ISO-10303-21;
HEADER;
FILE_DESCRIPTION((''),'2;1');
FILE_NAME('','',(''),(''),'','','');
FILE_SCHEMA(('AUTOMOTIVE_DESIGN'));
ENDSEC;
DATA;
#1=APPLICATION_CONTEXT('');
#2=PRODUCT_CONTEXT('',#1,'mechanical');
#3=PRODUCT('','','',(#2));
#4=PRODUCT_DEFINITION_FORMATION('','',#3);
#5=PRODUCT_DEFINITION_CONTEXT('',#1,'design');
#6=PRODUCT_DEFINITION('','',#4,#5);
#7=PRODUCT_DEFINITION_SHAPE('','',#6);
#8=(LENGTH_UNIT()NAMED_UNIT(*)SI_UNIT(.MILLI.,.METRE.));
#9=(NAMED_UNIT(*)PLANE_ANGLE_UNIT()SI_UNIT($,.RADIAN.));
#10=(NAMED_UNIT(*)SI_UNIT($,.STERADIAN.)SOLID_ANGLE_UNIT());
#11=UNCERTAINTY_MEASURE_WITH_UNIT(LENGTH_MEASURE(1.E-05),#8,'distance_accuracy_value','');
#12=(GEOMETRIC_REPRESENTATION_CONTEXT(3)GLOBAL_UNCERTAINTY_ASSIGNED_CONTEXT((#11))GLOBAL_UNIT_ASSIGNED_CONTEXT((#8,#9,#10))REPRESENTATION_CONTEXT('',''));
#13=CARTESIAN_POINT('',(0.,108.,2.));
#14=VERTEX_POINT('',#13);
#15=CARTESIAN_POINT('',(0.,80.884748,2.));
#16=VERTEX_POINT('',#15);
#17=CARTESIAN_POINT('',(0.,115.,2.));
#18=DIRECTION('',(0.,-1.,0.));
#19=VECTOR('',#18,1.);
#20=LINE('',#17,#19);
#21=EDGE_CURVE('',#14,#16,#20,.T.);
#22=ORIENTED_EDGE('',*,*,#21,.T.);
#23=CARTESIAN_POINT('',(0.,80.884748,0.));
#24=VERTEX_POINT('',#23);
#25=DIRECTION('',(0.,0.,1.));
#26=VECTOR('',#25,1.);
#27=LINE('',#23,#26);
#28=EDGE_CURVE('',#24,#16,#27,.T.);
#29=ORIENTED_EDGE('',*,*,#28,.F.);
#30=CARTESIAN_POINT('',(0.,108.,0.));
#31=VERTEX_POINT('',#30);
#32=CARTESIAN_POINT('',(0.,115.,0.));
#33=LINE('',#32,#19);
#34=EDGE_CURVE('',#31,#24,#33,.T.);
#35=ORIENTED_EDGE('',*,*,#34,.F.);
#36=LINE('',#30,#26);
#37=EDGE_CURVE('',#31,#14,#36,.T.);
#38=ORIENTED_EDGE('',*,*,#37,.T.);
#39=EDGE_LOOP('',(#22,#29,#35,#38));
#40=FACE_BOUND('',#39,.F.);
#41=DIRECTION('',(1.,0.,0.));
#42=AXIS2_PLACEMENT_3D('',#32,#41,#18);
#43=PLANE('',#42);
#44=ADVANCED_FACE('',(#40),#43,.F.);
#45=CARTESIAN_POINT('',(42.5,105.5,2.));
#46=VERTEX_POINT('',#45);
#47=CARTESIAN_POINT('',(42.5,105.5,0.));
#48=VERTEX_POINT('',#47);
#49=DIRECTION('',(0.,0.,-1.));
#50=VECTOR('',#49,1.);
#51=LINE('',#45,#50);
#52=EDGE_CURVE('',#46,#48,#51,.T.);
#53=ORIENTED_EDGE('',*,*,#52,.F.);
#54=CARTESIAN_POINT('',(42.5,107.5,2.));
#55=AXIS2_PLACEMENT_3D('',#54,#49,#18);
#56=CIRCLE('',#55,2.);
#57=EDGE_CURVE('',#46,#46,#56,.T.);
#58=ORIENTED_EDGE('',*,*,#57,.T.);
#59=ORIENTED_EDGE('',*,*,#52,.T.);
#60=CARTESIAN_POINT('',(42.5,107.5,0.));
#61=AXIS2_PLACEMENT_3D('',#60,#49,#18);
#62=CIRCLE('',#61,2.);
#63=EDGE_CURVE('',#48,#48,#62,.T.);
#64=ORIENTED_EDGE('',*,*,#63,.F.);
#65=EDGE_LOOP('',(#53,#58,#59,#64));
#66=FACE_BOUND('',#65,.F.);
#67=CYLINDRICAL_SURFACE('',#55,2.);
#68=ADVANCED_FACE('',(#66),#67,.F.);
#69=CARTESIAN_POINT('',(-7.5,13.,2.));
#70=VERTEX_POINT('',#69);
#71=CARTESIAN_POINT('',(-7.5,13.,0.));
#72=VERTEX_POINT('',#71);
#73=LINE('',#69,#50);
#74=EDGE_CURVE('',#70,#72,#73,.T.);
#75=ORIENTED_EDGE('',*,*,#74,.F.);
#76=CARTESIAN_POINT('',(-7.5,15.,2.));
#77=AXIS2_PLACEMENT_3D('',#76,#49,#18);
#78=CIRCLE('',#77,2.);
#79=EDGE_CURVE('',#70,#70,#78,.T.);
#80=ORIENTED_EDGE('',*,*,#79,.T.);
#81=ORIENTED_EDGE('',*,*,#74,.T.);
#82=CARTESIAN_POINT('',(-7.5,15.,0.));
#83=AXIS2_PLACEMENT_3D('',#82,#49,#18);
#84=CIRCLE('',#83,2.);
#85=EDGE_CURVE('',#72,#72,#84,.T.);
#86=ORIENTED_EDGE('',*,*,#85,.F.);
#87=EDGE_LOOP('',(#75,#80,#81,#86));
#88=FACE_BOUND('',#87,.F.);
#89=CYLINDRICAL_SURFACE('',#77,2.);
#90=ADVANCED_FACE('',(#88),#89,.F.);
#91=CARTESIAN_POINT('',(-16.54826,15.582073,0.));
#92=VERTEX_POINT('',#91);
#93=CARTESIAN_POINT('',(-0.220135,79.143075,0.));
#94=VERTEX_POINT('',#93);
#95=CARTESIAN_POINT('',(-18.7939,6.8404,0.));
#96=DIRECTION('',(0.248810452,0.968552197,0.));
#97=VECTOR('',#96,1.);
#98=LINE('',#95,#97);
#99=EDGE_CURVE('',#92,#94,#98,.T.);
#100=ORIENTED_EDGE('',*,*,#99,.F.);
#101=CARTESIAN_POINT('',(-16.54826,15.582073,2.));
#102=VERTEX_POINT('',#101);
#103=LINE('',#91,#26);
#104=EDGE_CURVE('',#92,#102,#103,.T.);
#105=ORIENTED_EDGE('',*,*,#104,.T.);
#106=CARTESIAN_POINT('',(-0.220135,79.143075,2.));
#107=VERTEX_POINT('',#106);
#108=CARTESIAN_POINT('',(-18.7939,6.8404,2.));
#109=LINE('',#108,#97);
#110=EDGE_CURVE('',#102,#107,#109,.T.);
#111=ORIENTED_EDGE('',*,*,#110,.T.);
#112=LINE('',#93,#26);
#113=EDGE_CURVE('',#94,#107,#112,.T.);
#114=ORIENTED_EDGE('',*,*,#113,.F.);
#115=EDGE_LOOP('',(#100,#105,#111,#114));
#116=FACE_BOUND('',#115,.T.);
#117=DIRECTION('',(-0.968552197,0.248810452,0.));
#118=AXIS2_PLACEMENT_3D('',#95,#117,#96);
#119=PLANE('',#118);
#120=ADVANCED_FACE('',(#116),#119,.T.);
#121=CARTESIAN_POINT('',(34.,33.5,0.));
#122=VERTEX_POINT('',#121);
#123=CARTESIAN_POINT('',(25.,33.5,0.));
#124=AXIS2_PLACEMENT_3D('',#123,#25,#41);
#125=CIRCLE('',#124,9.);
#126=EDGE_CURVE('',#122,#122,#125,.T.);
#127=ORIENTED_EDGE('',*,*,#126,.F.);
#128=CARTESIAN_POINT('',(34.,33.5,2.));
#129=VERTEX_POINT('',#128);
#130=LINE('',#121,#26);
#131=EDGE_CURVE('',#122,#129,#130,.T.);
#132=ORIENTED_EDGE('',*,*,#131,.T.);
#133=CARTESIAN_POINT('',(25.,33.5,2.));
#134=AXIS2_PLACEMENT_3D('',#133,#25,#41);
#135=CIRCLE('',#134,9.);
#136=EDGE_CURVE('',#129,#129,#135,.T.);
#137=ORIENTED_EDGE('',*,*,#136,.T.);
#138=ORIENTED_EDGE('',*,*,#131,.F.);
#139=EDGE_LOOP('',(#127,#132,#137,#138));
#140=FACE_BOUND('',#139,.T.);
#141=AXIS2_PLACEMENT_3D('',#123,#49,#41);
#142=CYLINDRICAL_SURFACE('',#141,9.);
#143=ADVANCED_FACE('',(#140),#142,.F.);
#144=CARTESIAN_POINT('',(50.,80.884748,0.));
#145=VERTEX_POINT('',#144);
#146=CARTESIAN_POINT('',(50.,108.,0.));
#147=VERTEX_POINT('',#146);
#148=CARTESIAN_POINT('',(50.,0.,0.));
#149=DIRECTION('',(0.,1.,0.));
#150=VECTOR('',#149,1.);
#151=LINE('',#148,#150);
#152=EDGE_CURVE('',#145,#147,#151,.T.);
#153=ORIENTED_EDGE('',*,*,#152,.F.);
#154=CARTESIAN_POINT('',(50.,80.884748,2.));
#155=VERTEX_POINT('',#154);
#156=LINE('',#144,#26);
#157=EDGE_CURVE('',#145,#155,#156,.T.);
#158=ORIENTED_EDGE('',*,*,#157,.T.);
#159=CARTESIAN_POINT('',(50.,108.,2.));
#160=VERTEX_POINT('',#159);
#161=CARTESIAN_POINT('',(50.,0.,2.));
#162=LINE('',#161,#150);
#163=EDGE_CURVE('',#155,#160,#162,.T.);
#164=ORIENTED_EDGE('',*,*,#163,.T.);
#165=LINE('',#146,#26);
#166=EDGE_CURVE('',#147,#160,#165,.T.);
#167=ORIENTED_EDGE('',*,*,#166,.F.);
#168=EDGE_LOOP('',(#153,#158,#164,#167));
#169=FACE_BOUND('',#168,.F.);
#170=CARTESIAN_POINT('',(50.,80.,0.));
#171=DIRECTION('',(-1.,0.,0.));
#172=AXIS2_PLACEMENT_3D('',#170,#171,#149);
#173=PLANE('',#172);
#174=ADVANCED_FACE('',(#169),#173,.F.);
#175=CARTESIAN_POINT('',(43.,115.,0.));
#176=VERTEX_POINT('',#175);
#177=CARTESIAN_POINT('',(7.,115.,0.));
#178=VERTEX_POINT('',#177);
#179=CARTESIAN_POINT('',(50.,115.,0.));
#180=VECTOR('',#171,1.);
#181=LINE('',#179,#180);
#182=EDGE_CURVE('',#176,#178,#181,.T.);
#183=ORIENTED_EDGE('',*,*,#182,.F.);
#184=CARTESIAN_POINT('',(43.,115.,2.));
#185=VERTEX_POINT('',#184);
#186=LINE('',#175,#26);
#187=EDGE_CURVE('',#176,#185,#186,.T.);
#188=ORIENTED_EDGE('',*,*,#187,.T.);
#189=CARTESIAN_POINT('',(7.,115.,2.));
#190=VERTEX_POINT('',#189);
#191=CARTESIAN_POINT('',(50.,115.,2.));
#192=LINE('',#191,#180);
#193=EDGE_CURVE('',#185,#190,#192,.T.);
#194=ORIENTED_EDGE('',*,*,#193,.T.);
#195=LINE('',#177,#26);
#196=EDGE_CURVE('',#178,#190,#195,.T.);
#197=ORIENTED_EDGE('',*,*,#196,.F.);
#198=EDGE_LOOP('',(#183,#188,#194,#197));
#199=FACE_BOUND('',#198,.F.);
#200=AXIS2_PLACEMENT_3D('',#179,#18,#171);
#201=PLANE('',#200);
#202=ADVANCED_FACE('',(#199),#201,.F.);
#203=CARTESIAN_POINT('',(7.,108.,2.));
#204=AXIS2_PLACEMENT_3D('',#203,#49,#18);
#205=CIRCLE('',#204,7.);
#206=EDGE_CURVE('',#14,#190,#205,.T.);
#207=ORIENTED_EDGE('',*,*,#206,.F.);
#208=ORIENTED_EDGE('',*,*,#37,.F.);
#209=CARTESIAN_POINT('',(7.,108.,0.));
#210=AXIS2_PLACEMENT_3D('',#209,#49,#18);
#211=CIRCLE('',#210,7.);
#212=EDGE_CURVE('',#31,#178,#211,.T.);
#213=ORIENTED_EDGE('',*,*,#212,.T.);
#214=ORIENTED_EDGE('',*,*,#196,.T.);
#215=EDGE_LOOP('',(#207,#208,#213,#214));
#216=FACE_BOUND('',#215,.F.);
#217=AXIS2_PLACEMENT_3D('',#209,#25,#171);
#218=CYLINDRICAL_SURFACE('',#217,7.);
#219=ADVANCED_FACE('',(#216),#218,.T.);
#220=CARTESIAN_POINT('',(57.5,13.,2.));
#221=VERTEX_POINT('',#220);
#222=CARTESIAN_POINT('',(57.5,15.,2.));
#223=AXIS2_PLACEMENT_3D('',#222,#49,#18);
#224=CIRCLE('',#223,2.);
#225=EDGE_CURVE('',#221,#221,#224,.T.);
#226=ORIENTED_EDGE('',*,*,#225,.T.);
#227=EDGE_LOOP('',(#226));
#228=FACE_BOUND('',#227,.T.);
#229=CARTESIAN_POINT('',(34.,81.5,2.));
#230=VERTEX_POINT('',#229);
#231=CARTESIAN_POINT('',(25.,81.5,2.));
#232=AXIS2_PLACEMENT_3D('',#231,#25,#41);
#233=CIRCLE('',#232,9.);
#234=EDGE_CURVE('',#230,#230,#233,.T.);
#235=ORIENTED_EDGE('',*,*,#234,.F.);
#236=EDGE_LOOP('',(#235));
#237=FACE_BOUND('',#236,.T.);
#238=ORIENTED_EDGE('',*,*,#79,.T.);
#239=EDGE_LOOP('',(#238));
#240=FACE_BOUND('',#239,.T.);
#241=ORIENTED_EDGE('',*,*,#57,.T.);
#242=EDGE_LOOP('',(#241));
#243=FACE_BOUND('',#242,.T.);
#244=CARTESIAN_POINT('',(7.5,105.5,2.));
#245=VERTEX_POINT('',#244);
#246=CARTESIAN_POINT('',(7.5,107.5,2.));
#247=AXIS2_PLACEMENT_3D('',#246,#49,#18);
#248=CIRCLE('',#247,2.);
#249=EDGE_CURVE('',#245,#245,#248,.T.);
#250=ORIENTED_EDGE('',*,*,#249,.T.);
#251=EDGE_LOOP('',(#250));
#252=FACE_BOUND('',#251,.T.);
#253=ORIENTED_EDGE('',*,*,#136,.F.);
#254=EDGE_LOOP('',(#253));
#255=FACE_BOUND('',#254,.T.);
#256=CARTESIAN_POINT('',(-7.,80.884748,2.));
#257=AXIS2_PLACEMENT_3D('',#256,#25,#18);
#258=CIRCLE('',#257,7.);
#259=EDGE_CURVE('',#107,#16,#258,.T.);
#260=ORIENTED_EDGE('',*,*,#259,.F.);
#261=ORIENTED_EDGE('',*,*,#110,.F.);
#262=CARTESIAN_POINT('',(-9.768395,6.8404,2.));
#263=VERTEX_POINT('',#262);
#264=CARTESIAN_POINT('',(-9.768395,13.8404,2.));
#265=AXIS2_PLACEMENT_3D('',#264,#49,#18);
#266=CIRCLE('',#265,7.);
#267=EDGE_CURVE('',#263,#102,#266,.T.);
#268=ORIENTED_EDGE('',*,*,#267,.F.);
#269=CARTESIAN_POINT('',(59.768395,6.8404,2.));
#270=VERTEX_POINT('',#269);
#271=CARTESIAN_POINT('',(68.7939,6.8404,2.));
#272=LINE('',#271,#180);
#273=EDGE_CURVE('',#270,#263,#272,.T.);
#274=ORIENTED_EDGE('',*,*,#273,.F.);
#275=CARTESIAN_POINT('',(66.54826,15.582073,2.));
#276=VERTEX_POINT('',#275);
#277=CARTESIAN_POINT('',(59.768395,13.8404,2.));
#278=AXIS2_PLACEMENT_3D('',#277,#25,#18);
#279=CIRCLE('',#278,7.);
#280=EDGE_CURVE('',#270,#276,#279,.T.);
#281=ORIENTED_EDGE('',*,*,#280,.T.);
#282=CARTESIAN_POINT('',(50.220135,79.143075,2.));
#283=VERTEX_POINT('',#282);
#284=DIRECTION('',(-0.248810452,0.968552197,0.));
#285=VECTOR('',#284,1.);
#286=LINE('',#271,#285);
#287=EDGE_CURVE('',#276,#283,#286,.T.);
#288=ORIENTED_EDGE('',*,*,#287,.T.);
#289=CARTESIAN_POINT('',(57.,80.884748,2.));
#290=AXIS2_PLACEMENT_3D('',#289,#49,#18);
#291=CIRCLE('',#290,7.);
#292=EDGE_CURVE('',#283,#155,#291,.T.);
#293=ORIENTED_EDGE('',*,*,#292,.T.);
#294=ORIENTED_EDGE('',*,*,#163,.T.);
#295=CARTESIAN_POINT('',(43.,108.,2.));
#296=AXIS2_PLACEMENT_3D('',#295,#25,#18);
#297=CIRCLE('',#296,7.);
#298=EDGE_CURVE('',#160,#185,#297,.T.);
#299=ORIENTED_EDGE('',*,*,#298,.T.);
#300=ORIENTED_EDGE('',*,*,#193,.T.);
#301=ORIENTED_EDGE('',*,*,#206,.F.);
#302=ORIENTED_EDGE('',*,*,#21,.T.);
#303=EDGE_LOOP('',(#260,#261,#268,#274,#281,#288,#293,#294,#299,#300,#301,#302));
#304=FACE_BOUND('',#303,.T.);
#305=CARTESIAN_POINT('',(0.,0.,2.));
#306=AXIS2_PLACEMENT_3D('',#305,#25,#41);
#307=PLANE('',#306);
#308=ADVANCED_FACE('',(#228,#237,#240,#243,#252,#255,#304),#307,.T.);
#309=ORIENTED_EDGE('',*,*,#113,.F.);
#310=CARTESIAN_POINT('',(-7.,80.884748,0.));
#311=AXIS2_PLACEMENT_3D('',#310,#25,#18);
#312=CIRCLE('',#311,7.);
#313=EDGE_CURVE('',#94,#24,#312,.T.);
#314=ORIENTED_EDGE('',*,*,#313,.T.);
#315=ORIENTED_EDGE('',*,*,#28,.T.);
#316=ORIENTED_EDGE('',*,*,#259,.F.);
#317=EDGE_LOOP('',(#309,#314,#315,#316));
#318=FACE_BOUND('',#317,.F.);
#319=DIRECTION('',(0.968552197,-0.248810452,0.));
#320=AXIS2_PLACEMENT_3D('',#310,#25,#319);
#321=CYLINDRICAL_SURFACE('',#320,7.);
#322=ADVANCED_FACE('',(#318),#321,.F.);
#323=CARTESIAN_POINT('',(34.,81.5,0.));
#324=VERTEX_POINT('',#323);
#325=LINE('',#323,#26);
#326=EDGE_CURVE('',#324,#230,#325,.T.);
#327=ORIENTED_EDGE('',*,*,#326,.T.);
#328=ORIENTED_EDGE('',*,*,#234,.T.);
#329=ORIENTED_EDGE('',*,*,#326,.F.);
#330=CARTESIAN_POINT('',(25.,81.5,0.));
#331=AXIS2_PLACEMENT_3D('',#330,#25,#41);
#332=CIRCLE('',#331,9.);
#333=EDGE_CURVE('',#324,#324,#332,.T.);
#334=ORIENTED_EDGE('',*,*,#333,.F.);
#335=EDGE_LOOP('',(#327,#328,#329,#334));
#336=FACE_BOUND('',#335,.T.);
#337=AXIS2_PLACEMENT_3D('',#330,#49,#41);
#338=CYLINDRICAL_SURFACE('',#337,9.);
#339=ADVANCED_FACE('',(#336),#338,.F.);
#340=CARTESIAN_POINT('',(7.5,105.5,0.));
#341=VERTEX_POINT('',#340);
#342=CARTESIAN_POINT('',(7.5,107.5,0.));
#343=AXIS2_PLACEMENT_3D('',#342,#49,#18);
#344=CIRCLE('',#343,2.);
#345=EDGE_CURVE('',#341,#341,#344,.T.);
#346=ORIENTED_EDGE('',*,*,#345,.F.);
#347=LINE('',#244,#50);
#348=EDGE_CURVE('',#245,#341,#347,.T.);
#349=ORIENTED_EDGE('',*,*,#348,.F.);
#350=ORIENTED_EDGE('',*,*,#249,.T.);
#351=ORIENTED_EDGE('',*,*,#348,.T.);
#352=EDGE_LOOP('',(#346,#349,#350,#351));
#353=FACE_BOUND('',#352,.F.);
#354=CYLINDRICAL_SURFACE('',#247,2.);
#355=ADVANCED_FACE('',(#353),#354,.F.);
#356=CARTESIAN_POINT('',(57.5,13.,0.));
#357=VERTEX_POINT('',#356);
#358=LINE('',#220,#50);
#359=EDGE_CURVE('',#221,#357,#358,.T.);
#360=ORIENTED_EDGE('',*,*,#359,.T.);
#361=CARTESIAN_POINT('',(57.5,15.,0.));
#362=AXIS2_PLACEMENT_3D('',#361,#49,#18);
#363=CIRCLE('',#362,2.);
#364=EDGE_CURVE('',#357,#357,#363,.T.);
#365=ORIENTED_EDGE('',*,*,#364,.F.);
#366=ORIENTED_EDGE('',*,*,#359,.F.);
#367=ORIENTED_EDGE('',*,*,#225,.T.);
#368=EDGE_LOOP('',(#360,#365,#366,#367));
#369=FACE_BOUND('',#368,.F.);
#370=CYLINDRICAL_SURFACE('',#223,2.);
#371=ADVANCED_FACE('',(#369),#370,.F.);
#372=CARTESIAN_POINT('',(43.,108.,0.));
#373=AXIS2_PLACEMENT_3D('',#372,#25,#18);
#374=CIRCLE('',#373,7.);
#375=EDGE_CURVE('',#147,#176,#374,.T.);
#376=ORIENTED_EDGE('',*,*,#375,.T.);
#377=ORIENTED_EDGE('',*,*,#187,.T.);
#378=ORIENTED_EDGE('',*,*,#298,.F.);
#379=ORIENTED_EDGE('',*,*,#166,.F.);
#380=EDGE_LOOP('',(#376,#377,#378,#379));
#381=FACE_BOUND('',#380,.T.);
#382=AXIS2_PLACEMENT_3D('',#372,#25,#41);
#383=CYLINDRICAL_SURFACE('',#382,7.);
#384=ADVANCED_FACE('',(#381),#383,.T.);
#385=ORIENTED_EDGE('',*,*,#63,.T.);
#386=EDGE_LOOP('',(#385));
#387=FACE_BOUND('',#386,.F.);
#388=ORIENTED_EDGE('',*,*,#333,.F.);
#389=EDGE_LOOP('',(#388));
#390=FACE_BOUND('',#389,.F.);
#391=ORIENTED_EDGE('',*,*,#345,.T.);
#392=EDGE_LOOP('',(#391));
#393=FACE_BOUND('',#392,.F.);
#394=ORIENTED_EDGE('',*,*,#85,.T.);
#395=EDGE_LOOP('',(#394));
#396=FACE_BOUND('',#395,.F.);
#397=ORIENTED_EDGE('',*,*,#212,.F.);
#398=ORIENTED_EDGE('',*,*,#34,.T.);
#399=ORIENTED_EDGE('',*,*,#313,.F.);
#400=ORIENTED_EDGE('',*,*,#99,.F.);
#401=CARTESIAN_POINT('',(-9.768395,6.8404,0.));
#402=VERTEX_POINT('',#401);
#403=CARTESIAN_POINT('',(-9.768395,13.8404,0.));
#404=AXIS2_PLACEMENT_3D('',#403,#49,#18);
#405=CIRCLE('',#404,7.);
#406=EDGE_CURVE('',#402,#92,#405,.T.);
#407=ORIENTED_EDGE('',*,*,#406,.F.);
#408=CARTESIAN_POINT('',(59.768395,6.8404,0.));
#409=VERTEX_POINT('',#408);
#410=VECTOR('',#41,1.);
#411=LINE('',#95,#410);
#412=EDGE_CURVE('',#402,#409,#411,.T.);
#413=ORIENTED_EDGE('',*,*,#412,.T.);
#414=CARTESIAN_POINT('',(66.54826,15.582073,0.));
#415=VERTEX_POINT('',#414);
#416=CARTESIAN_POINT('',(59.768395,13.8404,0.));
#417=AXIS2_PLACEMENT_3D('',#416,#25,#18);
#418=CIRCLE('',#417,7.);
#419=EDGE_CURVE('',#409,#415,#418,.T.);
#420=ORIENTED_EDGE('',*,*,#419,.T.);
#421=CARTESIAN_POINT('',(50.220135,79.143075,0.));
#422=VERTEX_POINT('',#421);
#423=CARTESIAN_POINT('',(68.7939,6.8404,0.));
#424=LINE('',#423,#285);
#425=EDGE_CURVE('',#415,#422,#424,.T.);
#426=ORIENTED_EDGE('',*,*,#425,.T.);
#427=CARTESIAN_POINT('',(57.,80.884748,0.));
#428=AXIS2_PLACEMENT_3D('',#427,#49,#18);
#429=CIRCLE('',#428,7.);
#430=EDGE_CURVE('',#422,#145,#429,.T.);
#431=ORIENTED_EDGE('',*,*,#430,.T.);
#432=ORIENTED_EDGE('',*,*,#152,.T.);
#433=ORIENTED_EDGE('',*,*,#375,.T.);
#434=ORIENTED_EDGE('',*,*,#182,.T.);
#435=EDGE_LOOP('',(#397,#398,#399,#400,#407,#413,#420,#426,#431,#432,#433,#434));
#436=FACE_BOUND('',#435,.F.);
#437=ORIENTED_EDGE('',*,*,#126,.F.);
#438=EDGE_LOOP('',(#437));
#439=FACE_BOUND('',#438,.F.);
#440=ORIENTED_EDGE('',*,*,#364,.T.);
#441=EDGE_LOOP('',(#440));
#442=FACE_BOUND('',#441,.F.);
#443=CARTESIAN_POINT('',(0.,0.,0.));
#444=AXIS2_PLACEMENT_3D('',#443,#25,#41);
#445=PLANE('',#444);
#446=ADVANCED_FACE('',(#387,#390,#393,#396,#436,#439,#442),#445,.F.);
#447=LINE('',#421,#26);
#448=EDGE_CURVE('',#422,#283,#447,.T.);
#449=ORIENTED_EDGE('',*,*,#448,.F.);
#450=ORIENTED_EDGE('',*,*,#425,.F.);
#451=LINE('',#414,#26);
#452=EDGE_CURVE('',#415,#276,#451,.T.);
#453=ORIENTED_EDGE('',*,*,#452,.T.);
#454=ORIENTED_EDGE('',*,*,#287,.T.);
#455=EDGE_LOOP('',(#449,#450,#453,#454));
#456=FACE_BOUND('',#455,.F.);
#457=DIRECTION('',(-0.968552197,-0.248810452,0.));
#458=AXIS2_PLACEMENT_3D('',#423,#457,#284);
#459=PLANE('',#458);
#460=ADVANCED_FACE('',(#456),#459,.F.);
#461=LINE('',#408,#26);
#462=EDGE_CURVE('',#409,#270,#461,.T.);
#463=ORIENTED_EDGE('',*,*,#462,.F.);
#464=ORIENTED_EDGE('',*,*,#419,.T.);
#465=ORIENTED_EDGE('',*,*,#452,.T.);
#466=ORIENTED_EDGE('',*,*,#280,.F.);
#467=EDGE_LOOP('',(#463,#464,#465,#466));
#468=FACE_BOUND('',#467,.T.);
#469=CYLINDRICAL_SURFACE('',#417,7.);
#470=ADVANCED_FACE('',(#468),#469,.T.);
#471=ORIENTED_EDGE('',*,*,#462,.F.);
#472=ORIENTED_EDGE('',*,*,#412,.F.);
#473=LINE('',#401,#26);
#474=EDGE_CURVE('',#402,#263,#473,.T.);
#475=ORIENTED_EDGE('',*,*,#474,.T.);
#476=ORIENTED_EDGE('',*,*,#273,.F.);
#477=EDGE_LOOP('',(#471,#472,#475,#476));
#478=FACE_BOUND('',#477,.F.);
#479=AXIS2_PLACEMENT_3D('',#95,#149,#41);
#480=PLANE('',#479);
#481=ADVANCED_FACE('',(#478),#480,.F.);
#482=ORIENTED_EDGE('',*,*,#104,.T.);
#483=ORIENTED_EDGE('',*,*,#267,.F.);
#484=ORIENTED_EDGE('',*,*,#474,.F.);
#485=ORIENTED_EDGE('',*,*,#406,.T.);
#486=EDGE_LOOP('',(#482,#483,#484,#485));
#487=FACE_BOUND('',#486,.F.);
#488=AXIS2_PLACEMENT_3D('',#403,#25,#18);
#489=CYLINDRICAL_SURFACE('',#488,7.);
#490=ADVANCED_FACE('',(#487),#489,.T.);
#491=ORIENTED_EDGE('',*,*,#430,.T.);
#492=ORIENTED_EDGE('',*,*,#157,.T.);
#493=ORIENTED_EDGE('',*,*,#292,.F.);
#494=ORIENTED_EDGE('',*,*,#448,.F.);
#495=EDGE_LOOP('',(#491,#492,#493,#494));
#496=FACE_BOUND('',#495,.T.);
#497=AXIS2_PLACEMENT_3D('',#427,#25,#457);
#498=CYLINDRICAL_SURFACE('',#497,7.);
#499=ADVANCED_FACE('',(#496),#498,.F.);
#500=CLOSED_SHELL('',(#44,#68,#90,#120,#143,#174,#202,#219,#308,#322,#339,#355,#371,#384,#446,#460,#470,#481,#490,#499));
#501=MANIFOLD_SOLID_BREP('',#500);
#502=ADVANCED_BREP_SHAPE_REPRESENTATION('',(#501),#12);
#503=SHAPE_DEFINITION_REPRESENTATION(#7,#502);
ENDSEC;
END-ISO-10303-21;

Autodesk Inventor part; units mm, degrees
ref_plane "YZ Plane" through (0, 0, 0) normal (1, 0, 0) x (0, 1, 0)
ref_plane "XZ Plane" through (0, 0, 0) normal (0, 1, 0) x (-1, 0, 0)
ref_plane "XY Plane" through (0, 0, 0) normal (0, 0, 1) x (1, 0, 0)
sketch "スケッチ1" plane through (0, 0, 0) normal (0, 0, 1) x (1, 0, 0)
  line L0 (0, 0) -> (50, 0)
  line L1 (50, 0) -> (50, 115)
  line L2 (50, 115) -> (0, 115)
  line L3 (0, 115) -> (0, 0)
  circle A0 centre (25, 81.5) radius 9
  circle A1 centre (25, 33.5) radius 9
  line L4 (0, 0) -> (-18.7939, 6.8404)
  line L5 (-18.7939, 6.8404) -> (0, 80)
  line L6 (50, 0) -> (68.7939, 6.8404)
  line L7 (68.7939, 6.8404) -> (50, 80)
  line L8 (-18.7939, 6.8404) -> (68.7939, 6.8404)
  dimension "d0" = 50
  dimension "d1" = 115
  dimension "d2" = 18
  dimension "d3" = 18
  dimension "d5" = 48
  dimension "d8" = 33.5
  dimension "d27" = 20
  dimension "d28" = 20
  dimension "d34" = 80
  dimension "d35" = 80
  dimension "d36" = 20
  dimension "d37" = 20
extrude "押し出し1" add sketch "スケッチ1" along normal blind 2 contours L8 L5 L3 | L3 L2 L1 L8 | L1 L7 L8
sketch "スケッチ2" plane through (0, 0, 2) normal (0, 0, 1) x (1, 0, 0)
  line L0 (0, 115) -> (0, 0) projected
  line L1 (50, 80) -> (50, 115) projected
  line L2 (50, 115) -> (0, 115) projected
  point P0 (7.5, 107.5)
  point P1 (42.5, 107.5)
  point P2 (57.5, 15)
  point P3 (-7.5, 15)
  dimension "d15" = 7.5
  dimension "d16" = 7.5
  dimension "d17" = 7.5
  dimension "d18" = 7.5
  dimension "d31" = 7.5
  dimension "d32" = 7.5
  dimension "d40" = 15
  dimension "d41" = 15
hole "穴1" at (7.5, 107.5, 2) at (42.5, 107.5, 2) at (57.5, 15, 2) at (-7.5, 15, 2) direction (0, 0, -1) diameter 4 depth 8 tip angle 118
fillet "フィレット2" radius 7 6 edges at (50, 115, 1) (0, 115, 1) (0, 80, 1) (50, 80, 1) (-18.7939, 6.8404, 1) (68.7939, 6.8404, 1)
equation "\"d8\" = -0.5 * d5 + 0.5 * d1"
equation "\"d35\" = d34"
equation "\"d37\" = d36"
equation "\"d15\" = d18"
equation "\"d16\" = d18"
equation "\"d17\" = d18"
equation "\"d31\" = d18"
equation "\"d32\" = d18"
equation "\"d41\" = d40"
properties part number "TH22_AlBoard_roller_sub_sn" material "アルミニウム 6061-AHC"
